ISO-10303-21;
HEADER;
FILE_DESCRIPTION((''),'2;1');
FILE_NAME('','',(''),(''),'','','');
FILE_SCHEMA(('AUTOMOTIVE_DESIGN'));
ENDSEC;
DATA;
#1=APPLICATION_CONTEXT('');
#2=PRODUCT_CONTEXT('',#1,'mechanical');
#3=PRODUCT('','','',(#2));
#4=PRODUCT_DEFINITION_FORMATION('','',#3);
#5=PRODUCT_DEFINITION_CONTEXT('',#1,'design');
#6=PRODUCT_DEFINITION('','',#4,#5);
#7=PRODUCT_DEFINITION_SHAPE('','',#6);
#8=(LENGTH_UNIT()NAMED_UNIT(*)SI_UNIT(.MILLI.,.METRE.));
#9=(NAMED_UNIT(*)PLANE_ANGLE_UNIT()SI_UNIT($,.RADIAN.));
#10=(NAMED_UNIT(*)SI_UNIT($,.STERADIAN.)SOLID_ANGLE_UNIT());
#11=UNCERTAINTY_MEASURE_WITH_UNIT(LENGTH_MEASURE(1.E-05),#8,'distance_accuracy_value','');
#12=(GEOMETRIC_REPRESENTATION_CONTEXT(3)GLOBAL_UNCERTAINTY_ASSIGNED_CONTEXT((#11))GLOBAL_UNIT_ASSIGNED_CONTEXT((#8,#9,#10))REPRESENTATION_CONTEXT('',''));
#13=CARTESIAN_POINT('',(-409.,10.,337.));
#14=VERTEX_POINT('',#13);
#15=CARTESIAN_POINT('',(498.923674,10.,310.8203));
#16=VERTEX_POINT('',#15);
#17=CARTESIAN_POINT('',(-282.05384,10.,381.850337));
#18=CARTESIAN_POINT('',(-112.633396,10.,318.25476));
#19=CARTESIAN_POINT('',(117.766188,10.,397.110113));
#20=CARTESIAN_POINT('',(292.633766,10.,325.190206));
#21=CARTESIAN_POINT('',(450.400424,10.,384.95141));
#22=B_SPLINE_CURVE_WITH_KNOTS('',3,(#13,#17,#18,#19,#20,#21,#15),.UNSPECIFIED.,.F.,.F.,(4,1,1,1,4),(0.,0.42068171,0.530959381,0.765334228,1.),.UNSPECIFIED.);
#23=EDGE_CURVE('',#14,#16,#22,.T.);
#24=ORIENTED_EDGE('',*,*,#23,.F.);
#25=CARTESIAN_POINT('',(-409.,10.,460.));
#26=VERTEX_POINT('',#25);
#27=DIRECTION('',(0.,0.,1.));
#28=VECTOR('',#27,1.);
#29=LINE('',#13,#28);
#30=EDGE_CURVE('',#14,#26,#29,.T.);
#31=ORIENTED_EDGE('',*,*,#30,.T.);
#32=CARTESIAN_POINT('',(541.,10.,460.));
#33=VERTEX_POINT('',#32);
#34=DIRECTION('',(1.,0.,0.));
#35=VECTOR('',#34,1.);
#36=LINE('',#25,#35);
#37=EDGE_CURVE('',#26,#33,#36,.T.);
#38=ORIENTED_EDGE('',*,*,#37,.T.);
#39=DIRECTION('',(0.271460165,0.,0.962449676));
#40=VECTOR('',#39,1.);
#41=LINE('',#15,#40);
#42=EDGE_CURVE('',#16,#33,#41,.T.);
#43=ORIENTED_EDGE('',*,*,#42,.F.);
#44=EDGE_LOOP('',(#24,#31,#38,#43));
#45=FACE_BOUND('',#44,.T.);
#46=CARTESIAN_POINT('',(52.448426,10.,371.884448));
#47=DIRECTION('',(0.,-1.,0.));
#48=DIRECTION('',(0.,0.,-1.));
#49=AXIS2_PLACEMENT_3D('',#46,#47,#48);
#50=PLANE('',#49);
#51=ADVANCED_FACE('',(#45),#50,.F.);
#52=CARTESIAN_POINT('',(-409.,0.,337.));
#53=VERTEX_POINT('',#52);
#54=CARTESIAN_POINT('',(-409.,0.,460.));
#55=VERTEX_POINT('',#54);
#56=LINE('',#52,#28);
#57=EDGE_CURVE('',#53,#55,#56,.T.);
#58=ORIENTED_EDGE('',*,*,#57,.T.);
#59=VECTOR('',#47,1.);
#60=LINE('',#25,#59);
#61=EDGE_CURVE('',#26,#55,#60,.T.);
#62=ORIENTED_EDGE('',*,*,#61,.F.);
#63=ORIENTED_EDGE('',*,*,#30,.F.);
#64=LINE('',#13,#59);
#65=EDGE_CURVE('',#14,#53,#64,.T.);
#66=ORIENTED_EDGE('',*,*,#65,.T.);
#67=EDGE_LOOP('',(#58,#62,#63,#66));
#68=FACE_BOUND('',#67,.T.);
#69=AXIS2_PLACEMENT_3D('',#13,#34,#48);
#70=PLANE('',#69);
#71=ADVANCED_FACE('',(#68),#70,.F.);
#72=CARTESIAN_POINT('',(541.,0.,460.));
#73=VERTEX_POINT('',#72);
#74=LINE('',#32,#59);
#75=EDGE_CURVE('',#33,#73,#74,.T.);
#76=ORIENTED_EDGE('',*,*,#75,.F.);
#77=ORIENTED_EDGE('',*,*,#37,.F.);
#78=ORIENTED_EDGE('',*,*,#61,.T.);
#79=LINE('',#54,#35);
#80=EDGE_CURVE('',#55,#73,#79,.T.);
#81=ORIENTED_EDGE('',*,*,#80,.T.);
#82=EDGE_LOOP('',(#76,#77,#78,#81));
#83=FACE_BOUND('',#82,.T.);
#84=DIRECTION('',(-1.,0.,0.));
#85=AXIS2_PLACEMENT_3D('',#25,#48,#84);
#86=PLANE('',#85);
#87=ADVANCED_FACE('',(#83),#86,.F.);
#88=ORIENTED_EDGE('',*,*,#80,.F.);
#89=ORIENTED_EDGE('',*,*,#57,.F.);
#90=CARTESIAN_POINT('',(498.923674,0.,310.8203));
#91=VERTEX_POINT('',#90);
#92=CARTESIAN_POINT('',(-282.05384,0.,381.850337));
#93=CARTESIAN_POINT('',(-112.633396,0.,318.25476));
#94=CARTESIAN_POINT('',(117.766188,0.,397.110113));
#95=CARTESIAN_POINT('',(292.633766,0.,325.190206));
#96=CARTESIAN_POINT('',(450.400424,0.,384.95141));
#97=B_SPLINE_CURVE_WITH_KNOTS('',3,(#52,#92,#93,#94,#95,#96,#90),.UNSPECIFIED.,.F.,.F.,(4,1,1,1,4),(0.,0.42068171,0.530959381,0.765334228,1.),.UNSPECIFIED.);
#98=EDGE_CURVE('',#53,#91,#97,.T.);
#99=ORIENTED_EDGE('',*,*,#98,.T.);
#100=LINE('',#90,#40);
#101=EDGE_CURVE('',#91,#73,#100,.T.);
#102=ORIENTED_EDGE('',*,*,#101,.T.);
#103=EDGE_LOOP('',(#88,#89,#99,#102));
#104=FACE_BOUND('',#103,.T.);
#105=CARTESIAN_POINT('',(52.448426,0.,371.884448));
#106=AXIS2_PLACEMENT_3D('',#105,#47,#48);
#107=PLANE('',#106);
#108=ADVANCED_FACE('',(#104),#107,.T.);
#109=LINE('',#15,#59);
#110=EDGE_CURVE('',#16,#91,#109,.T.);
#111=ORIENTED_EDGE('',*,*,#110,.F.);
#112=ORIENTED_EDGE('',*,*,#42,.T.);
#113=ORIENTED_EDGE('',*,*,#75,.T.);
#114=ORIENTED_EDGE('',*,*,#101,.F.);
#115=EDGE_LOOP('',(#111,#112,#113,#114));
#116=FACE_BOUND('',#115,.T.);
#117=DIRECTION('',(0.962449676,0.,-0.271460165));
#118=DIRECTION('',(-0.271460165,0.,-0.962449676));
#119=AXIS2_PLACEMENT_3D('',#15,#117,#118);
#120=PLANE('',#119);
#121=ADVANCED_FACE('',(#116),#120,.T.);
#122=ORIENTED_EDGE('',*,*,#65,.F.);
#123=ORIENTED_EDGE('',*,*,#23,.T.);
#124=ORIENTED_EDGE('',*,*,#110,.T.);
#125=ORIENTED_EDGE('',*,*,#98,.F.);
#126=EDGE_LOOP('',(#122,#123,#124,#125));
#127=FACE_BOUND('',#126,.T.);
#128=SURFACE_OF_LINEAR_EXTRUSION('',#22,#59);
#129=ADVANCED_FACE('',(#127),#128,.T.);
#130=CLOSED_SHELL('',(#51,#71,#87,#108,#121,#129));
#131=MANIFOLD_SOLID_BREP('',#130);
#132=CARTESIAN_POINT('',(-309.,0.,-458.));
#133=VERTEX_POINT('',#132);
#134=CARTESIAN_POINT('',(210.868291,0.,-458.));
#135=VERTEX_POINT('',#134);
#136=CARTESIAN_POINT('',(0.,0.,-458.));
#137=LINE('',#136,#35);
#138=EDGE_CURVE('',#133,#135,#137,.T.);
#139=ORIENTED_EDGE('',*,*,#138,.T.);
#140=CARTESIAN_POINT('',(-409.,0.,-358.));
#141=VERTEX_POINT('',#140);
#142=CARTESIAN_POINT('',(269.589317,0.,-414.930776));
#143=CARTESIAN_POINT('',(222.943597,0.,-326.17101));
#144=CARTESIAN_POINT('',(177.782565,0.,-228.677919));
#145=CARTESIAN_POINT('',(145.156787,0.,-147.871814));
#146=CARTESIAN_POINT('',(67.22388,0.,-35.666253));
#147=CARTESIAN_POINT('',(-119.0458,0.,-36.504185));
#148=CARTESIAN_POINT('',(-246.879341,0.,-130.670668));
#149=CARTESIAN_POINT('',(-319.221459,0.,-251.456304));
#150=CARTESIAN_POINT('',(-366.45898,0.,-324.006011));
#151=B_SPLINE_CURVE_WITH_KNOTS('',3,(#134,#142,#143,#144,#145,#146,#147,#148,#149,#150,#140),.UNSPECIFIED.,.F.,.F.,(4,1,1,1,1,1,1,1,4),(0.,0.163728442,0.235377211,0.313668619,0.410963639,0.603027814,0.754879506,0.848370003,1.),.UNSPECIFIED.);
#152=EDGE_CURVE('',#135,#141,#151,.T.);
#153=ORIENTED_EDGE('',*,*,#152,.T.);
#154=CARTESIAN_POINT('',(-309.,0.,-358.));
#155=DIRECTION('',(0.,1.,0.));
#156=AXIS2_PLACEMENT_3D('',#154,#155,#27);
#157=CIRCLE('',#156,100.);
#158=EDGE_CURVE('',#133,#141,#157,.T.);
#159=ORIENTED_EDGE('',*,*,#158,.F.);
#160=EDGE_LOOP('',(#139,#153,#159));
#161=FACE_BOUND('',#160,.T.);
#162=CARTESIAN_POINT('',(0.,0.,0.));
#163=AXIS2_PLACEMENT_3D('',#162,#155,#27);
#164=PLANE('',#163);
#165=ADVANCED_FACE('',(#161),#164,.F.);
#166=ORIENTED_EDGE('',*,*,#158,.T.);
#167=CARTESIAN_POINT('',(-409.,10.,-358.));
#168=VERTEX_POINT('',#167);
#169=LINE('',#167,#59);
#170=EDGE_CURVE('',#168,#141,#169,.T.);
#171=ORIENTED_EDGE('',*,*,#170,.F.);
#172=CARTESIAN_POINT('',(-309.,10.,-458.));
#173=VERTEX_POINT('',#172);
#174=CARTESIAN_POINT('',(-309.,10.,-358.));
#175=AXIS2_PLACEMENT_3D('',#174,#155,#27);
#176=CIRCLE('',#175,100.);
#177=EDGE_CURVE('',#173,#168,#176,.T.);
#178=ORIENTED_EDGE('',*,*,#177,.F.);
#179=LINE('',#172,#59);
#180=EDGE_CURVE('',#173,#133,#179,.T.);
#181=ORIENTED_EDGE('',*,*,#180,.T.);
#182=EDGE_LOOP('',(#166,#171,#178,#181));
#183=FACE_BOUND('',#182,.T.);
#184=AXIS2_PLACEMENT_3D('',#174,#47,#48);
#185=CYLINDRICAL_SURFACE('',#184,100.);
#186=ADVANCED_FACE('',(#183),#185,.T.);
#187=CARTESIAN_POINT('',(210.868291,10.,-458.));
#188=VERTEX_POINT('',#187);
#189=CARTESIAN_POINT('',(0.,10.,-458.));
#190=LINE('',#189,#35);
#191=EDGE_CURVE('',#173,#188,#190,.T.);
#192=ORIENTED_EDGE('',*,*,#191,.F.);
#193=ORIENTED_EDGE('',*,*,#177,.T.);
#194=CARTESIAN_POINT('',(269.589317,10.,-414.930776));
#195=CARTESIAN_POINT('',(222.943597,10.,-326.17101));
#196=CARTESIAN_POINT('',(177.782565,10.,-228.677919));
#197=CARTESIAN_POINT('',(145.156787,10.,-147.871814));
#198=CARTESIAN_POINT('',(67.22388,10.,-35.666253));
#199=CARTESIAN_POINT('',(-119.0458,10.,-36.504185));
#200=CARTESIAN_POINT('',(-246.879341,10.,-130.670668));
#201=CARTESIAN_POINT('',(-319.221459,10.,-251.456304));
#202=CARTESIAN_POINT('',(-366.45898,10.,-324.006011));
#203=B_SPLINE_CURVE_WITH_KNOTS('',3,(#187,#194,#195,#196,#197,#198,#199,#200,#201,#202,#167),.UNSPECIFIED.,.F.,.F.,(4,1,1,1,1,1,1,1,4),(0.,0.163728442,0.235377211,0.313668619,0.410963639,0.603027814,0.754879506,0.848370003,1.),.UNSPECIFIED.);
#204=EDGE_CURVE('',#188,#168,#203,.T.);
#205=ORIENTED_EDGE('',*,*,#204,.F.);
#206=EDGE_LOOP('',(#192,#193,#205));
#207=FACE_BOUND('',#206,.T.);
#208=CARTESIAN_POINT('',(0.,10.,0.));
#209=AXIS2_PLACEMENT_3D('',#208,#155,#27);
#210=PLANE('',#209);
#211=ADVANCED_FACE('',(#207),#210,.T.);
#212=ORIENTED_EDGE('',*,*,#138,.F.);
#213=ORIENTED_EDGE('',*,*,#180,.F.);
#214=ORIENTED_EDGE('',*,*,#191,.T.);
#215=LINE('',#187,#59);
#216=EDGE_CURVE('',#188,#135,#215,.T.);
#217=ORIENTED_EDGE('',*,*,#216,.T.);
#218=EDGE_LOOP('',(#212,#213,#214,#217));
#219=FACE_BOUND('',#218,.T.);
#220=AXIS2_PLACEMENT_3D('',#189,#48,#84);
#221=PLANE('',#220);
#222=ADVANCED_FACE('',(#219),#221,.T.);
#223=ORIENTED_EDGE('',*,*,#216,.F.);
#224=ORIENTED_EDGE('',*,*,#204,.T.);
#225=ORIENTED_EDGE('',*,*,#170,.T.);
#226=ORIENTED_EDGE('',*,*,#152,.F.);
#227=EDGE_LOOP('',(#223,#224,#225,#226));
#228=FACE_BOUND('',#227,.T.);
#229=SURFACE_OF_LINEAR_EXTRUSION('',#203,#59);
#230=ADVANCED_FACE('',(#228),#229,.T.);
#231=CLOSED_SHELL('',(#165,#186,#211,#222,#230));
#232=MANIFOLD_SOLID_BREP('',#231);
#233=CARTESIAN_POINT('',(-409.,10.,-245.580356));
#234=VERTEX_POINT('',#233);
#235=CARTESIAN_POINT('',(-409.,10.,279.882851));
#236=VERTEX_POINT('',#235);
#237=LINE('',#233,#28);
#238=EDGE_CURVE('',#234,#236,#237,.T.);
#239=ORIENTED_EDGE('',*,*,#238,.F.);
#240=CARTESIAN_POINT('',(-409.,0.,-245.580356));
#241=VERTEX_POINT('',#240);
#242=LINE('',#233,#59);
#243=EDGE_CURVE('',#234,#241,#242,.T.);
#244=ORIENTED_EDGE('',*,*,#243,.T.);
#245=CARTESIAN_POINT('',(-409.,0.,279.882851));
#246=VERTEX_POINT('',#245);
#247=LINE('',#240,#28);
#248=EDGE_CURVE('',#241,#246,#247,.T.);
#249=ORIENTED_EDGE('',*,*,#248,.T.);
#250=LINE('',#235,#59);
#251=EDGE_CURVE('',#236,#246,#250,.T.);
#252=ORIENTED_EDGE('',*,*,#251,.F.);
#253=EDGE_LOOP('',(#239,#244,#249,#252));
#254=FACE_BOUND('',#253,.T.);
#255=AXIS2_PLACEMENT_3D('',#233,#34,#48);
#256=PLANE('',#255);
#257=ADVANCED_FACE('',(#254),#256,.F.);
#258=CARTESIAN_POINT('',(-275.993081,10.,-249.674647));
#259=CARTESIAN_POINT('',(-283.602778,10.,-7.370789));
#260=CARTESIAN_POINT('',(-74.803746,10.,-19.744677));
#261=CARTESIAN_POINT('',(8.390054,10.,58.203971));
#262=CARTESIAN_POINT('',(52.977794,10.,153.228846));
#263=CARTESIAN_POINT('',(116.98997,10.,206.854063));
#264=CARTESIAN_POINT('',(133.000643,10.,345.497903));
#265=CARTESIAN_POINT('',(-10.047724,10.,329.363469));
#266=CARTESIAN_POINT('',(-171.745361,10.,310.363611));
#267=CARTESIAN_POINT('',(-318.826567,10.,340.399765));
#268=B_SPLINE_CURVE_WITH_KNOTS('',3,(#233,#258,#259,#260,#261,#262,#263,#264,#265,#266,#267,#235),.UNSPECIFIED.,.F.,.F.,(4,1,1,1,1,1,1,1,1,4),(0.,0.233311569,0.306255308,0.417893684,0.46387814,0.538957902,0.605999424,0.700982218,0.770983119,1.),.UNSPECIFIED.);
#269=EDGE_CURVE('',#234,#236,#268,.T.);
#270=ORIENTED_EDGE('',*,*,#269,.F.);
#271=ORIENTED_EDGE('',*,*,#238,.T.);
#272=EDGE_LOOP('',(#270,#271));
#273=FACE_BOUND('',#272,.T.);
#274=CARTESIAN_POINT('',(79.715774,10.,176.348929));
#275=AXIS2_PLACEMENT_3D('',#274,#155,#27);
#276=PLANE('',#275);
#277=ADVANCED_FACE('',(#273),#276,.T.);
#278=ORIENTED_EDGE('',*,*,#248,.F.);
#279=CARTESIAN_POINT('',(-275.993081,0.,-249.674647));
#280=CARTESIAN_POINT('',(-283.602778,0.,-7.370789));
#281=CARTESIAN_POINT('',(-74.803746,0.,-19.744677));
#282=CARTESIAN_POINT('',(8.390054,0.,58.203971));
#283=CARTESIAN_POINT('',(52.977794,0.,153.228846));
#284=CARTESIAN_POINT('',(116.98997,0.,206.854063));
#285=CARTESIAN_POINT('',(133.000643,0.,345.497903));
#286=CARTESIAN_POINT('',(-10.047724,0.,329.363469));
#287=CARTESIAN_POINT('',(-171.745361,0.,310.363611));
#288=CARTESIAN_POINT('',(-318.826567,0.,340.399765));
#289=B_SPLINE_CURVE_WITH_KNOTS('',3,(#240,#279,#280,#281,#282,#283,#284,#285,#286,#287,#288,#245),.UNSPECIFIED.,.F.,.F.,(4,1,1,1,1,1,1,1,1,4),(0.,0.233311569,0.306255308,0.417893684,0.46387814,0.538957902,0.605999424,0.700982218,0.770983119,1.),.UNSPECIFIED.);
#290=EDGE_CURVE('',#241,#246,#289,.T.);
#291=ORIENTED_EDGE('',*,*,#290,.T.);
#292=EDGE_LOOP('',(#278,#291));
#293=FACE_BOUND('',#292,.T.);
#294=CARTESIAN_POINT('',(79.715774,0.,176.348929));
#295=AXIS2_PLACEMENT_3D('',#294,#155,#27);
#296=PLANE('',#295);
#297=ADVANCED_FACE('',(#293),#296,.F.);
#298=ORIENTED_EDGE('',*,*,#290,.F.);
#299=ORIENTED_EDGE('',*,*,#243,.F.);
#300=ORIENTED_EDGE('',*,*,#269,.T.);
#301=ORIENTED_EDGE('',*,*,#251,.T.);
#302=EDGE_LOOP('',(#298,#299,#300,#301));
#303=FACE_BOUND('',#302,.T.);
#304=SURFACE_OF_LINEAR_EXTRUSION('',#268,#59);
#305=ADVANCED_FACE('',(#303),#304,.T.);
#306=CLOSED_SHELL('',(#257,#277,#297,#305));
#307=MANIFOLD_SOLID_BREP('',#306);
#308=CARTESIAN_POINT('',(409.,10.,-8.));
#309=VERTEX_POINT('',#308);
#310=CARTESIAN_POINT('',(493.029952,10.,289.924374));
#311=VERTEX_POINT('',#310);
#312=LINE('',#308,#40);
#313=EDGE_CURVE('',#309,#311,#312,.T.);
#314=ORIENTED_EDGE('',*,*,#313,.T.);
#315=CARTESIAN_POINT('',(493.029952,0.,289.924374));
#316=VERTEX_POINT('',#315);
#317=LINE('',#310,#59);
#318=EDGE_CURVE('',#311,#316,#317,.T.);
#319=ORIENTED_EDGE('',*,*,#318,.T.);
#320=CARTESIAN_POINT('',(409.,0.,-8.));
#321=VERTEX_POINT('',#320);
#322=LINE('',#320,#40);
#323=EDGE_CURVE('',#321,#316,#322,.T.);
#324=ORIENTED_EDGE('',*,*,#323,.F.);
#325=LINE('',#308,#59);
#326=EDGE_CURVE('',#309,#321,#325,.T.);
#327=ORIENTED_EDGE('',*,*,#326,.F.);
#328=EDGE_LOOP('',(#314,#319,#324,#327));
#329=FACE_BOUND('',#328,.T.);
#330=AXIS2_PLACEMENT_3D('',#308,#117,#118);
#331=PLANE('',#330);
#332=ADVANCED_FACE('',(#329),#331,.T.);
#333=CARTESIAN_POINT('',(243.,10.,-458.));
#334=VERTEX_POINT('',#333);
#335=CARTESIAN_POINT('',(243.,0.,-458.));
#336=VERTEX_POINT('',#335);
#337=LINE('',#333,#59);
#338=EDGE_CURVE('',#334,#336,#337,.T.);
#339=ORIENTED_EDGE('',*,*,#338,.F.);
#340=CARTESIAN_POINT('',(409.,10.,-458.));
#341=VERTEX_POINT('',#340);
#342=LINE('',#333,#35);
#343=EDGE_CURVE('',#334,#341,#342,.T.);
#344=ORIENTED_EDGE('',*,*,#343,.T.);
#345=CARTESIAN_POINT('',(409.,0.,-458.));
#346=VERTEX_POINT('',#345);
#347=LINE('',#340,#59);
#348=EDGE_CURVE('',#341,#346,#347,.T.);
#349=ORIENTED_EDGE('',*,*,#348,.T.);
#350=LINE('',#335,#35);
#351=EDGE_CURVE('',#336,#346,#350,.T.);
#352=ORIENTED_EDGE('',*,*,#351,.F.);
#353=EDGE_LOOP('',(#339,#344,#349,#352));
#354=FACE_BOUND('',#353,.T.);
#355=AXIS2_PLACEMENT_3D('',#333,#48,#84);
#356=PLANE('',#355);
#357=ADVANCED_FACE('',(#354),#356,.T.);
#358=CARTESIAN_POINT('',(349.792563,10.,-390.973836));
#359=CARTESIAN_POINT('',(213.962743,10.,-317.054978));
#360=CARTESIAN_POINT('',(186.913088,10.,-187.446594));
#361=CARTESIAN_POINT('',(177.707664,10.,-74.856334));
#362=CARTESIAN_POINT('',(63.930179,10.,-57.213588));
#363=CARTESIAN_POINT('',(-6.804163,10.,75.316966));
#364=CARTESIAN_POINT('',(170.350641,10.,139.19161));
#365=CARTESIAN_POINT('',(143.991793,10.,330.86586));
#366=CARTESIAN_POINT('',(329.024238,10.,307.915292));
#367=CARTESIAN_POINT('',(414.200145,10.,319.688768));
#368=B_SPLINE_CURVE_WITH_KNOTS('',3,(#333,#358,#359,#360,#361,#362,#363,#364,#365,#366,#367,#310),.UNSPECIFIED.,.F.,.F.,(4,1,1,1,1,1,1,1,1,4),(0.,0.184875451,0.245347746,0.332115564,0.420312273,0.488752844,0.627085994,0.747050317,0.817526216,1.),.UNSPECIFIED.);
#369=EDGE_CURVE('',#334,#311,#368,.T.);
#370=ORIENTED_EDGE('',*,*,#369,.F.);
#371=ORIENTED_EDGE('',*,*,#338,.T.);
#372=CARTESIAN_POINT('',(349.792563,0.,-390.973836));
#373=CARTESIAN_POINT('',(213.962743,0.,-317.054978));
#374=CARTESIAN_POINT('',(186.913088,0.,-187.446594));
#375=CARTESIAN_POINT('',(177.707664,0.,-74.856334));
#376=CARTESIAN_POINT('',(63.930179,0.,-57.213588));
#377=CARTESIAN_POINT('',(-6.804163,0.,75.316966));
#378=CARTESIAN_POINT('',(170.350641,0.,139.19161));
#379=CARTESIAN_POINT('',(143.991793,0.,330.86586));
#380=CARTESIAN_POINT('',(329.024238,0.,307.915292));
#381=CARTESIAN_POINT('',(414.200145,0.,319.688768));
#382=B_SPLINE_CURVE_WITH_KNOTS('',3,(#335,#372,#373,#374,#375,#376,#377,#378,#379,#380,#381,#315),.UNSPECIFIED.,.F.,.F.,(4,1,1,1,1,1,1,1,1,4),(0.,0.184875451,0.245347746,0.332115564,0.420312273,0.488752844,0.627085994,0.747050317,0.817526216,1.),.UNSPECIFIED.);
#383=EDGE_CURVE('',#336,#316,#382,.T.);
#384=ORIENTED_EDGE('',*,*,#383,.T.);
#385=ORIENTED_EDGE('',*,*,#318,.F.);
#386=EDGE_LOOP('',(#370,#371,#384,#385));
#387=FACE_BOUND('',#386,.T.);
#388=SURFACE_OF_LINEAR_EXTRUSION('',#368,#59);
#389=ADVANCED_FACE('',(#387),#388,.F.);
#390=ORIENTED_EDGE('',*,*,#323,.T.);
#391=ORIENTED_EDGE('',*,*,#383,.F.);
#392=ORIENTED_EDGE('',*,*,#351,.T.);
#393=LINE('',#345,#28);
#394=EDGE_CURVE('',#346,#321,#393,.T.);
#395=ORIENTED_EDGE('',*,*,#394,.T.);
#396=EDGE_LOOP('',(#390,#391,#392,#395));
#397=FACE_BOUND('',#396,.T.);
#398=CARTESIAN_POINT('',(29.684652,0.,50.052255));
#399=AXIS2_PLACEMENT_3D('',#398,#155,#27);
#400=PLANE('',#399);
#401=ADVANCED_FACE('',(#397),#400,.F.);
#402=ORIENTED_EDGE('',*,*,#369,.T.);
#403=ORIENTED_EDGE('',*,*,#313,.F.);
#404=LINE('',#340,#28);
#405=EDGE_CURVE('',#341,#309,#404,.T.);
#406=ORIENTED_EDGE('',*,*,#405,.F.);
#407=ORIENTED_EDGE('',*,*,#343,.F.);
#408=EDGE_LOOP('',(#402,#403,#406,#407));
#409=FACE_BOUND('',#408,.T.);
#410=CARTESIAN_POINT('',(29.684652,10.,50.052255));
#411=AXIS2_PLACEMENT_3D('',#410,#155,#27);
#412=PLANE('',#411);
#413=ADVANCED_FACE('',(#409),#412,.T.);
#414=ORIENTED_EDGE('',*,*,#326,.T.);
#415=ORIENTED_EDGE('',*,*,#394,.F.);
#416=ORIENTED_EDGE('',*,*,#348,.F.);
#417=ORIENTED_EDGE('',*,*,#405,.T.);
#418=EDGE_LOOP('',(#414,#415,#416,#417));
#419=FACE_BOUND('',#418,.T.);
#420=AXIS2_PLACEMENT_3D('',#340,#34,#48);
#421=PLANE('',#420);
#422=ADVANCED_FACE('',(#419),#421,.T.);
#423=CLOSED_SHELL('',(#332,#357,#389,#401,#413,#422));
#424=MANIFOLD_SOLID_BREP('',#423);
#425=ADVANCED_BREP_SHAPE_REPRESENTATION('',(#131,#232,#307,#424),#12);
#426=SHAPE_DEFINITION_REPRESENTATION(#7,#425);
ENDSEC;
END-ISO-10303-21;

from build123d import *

# Parameters (mm, degrees)
EXTRUDE_4_DEPTH   = 10
EXTRUDE_4_2_DEPTH = 10
EXTRUDE_4_3_DEPTH = 10
EXTRUDE_4_4_DEPTH = 10


with BuildPart() as part:
    # 草图1 → 凸台-拉伸4 (new body)
    with BuildSketch(Plane(origin=(0, 0, 0), x_dir=(1, 0, 0), z_dir=(0, 1, 0))):
        with BuildLine():
            add(Edge.make_bspline(
                [(210.868291071, 458), (269.589316795, 414.930776235), (222.943597072, 326.171009864), (177.782564772, 228.677919451), (145.156787101, 147.87181362), (67.223880115, 35.666252711), (-119.045799991, 36.504185318), (-246.879340721, 130.670668224), (-319.221459075, 251.456304014), (-366.458980173, 324.006011189), (-409, 358)],
                knots=[0, 0, 0, 0, 0.163728442, 0.235377211, 0.313668619, 0.410963639, 0.603027814, 0.754879506, 0.848370003, 1, 1, 1, 1], degree=3))
            ThreePointArc((-409, 358), (-379.710678119, 428.710678119), (-309, 458))
            Line((-309, 458), (210.868291071, 458))
        make_face()
    extrude(amount=EXTRUDE_4_DEPTH)


with BuildPart() as body_2:
    # 草图1 → Extrude 4 2 (new body)
    with BuildSketch(Plane(origin=(0, 0, 0), x_dir=(1, 0, 0), z_dir=(0, 1, 0))):
        with BuildLine():
            Line((-409, 245.580356436), (-409, -279.882850733))
            add(Edge.make_bspline(
                [(-409, 245.580356436), (-275.993080971, 249.67464746), (-283.602777577, 7.370788986), (-74.803745743, 19.744676597), (8.390053541, -58.203971056), (52.977793648, -153.228845866), (116.989970073, -206.854063036), (133.000643295, -345.497902872), (-10.047723972, -329.363469332), (-171.74536102, -310.363611115), (-318.826566789, -340.399765198), (-409, -279.882850733)],
                knots=[0, 0, 0, 0, 0.233311569, 0.306255308, 0.417893684, 0.46387814, 0.538957902, 0.605999424, 0.700982218, 0.770983119, 1, 1, 1, 1], degree=3))
        make_face()
    extrude(amount=EXTRUDE_4_2_DEPTH)


with BuildPart() as body_3:
    # 草图1 → Extrude 4 3 (new body)
    with BuildSketch(Plane(origin=(0, 0, 0), x_dir=(1, 0, 0), z_dir=(0, 1, 0))):
        with BuildLine():
            Line((409, 458), (409, 8))
            Line((409, 8), (493.02995153, -289.924373606))
            add(Edge.make_bspline(
                [(243, 458), (349.792563252, 390.973836458), (213.96274263, 317.054977903), (186.913088276, 187.44659362), (177.707663744, 74.856334367), (63.930178811, 57.213587703), (-6.80416306, -75.316966125), (170.350641389, -139.1916096), (143.991792504, -330.865859781), (329.024238386, -307.915291767), (414.200144681, -319.688768205), (493.02995153, -289.924373606)],
                knots=[0, 0, 0, 0, 0.184875451, 0.245347746, 0.332115564, 0.420312273, 0.488752844, 0.627085994, 0.747050317, 0.817526216, 1, 1, 1, 1], degree=3))
            Line((243, 458), (409, 458))
        make_face()
    extrude(amount=EXTRUDE_4_3_DEPTH)


with BuildPart() as body_4:
    # 草图1 → Extrude 4 4 (new body)
    with BuildSketch(Plane(origin=(0, 0, 0), x_dir=(1, 0, 0), z_dir=(0, 1, 0))):
        with BuildLine():
            Line((-409, -460), (541, -460))
            Line((541, -460), (498.923674422, -310.820300222))
            add(Edge.make_bspline(
                [(-409, -337), (-282.053839651, -381.85033693), (-112.633395527, -318.254759818), (117.766188012, -397.110113328), (292.633766387, -325.190205846), (450.400424233, -384.951409885), (498.923674422, -310.820300222)],
                knots=[0, 0, 0, 0, 0.42068171, 0.530959381, 0.765334228, 1, 1, 1, 1], degree=3))
            Line((-409, -337), (-409, -460))
        make_face()
    extrude(amount=EXTRUDE_4_4_DEPTH)


solid = Compound([part.part, body_2.part, body_3.part, body_4.part])
